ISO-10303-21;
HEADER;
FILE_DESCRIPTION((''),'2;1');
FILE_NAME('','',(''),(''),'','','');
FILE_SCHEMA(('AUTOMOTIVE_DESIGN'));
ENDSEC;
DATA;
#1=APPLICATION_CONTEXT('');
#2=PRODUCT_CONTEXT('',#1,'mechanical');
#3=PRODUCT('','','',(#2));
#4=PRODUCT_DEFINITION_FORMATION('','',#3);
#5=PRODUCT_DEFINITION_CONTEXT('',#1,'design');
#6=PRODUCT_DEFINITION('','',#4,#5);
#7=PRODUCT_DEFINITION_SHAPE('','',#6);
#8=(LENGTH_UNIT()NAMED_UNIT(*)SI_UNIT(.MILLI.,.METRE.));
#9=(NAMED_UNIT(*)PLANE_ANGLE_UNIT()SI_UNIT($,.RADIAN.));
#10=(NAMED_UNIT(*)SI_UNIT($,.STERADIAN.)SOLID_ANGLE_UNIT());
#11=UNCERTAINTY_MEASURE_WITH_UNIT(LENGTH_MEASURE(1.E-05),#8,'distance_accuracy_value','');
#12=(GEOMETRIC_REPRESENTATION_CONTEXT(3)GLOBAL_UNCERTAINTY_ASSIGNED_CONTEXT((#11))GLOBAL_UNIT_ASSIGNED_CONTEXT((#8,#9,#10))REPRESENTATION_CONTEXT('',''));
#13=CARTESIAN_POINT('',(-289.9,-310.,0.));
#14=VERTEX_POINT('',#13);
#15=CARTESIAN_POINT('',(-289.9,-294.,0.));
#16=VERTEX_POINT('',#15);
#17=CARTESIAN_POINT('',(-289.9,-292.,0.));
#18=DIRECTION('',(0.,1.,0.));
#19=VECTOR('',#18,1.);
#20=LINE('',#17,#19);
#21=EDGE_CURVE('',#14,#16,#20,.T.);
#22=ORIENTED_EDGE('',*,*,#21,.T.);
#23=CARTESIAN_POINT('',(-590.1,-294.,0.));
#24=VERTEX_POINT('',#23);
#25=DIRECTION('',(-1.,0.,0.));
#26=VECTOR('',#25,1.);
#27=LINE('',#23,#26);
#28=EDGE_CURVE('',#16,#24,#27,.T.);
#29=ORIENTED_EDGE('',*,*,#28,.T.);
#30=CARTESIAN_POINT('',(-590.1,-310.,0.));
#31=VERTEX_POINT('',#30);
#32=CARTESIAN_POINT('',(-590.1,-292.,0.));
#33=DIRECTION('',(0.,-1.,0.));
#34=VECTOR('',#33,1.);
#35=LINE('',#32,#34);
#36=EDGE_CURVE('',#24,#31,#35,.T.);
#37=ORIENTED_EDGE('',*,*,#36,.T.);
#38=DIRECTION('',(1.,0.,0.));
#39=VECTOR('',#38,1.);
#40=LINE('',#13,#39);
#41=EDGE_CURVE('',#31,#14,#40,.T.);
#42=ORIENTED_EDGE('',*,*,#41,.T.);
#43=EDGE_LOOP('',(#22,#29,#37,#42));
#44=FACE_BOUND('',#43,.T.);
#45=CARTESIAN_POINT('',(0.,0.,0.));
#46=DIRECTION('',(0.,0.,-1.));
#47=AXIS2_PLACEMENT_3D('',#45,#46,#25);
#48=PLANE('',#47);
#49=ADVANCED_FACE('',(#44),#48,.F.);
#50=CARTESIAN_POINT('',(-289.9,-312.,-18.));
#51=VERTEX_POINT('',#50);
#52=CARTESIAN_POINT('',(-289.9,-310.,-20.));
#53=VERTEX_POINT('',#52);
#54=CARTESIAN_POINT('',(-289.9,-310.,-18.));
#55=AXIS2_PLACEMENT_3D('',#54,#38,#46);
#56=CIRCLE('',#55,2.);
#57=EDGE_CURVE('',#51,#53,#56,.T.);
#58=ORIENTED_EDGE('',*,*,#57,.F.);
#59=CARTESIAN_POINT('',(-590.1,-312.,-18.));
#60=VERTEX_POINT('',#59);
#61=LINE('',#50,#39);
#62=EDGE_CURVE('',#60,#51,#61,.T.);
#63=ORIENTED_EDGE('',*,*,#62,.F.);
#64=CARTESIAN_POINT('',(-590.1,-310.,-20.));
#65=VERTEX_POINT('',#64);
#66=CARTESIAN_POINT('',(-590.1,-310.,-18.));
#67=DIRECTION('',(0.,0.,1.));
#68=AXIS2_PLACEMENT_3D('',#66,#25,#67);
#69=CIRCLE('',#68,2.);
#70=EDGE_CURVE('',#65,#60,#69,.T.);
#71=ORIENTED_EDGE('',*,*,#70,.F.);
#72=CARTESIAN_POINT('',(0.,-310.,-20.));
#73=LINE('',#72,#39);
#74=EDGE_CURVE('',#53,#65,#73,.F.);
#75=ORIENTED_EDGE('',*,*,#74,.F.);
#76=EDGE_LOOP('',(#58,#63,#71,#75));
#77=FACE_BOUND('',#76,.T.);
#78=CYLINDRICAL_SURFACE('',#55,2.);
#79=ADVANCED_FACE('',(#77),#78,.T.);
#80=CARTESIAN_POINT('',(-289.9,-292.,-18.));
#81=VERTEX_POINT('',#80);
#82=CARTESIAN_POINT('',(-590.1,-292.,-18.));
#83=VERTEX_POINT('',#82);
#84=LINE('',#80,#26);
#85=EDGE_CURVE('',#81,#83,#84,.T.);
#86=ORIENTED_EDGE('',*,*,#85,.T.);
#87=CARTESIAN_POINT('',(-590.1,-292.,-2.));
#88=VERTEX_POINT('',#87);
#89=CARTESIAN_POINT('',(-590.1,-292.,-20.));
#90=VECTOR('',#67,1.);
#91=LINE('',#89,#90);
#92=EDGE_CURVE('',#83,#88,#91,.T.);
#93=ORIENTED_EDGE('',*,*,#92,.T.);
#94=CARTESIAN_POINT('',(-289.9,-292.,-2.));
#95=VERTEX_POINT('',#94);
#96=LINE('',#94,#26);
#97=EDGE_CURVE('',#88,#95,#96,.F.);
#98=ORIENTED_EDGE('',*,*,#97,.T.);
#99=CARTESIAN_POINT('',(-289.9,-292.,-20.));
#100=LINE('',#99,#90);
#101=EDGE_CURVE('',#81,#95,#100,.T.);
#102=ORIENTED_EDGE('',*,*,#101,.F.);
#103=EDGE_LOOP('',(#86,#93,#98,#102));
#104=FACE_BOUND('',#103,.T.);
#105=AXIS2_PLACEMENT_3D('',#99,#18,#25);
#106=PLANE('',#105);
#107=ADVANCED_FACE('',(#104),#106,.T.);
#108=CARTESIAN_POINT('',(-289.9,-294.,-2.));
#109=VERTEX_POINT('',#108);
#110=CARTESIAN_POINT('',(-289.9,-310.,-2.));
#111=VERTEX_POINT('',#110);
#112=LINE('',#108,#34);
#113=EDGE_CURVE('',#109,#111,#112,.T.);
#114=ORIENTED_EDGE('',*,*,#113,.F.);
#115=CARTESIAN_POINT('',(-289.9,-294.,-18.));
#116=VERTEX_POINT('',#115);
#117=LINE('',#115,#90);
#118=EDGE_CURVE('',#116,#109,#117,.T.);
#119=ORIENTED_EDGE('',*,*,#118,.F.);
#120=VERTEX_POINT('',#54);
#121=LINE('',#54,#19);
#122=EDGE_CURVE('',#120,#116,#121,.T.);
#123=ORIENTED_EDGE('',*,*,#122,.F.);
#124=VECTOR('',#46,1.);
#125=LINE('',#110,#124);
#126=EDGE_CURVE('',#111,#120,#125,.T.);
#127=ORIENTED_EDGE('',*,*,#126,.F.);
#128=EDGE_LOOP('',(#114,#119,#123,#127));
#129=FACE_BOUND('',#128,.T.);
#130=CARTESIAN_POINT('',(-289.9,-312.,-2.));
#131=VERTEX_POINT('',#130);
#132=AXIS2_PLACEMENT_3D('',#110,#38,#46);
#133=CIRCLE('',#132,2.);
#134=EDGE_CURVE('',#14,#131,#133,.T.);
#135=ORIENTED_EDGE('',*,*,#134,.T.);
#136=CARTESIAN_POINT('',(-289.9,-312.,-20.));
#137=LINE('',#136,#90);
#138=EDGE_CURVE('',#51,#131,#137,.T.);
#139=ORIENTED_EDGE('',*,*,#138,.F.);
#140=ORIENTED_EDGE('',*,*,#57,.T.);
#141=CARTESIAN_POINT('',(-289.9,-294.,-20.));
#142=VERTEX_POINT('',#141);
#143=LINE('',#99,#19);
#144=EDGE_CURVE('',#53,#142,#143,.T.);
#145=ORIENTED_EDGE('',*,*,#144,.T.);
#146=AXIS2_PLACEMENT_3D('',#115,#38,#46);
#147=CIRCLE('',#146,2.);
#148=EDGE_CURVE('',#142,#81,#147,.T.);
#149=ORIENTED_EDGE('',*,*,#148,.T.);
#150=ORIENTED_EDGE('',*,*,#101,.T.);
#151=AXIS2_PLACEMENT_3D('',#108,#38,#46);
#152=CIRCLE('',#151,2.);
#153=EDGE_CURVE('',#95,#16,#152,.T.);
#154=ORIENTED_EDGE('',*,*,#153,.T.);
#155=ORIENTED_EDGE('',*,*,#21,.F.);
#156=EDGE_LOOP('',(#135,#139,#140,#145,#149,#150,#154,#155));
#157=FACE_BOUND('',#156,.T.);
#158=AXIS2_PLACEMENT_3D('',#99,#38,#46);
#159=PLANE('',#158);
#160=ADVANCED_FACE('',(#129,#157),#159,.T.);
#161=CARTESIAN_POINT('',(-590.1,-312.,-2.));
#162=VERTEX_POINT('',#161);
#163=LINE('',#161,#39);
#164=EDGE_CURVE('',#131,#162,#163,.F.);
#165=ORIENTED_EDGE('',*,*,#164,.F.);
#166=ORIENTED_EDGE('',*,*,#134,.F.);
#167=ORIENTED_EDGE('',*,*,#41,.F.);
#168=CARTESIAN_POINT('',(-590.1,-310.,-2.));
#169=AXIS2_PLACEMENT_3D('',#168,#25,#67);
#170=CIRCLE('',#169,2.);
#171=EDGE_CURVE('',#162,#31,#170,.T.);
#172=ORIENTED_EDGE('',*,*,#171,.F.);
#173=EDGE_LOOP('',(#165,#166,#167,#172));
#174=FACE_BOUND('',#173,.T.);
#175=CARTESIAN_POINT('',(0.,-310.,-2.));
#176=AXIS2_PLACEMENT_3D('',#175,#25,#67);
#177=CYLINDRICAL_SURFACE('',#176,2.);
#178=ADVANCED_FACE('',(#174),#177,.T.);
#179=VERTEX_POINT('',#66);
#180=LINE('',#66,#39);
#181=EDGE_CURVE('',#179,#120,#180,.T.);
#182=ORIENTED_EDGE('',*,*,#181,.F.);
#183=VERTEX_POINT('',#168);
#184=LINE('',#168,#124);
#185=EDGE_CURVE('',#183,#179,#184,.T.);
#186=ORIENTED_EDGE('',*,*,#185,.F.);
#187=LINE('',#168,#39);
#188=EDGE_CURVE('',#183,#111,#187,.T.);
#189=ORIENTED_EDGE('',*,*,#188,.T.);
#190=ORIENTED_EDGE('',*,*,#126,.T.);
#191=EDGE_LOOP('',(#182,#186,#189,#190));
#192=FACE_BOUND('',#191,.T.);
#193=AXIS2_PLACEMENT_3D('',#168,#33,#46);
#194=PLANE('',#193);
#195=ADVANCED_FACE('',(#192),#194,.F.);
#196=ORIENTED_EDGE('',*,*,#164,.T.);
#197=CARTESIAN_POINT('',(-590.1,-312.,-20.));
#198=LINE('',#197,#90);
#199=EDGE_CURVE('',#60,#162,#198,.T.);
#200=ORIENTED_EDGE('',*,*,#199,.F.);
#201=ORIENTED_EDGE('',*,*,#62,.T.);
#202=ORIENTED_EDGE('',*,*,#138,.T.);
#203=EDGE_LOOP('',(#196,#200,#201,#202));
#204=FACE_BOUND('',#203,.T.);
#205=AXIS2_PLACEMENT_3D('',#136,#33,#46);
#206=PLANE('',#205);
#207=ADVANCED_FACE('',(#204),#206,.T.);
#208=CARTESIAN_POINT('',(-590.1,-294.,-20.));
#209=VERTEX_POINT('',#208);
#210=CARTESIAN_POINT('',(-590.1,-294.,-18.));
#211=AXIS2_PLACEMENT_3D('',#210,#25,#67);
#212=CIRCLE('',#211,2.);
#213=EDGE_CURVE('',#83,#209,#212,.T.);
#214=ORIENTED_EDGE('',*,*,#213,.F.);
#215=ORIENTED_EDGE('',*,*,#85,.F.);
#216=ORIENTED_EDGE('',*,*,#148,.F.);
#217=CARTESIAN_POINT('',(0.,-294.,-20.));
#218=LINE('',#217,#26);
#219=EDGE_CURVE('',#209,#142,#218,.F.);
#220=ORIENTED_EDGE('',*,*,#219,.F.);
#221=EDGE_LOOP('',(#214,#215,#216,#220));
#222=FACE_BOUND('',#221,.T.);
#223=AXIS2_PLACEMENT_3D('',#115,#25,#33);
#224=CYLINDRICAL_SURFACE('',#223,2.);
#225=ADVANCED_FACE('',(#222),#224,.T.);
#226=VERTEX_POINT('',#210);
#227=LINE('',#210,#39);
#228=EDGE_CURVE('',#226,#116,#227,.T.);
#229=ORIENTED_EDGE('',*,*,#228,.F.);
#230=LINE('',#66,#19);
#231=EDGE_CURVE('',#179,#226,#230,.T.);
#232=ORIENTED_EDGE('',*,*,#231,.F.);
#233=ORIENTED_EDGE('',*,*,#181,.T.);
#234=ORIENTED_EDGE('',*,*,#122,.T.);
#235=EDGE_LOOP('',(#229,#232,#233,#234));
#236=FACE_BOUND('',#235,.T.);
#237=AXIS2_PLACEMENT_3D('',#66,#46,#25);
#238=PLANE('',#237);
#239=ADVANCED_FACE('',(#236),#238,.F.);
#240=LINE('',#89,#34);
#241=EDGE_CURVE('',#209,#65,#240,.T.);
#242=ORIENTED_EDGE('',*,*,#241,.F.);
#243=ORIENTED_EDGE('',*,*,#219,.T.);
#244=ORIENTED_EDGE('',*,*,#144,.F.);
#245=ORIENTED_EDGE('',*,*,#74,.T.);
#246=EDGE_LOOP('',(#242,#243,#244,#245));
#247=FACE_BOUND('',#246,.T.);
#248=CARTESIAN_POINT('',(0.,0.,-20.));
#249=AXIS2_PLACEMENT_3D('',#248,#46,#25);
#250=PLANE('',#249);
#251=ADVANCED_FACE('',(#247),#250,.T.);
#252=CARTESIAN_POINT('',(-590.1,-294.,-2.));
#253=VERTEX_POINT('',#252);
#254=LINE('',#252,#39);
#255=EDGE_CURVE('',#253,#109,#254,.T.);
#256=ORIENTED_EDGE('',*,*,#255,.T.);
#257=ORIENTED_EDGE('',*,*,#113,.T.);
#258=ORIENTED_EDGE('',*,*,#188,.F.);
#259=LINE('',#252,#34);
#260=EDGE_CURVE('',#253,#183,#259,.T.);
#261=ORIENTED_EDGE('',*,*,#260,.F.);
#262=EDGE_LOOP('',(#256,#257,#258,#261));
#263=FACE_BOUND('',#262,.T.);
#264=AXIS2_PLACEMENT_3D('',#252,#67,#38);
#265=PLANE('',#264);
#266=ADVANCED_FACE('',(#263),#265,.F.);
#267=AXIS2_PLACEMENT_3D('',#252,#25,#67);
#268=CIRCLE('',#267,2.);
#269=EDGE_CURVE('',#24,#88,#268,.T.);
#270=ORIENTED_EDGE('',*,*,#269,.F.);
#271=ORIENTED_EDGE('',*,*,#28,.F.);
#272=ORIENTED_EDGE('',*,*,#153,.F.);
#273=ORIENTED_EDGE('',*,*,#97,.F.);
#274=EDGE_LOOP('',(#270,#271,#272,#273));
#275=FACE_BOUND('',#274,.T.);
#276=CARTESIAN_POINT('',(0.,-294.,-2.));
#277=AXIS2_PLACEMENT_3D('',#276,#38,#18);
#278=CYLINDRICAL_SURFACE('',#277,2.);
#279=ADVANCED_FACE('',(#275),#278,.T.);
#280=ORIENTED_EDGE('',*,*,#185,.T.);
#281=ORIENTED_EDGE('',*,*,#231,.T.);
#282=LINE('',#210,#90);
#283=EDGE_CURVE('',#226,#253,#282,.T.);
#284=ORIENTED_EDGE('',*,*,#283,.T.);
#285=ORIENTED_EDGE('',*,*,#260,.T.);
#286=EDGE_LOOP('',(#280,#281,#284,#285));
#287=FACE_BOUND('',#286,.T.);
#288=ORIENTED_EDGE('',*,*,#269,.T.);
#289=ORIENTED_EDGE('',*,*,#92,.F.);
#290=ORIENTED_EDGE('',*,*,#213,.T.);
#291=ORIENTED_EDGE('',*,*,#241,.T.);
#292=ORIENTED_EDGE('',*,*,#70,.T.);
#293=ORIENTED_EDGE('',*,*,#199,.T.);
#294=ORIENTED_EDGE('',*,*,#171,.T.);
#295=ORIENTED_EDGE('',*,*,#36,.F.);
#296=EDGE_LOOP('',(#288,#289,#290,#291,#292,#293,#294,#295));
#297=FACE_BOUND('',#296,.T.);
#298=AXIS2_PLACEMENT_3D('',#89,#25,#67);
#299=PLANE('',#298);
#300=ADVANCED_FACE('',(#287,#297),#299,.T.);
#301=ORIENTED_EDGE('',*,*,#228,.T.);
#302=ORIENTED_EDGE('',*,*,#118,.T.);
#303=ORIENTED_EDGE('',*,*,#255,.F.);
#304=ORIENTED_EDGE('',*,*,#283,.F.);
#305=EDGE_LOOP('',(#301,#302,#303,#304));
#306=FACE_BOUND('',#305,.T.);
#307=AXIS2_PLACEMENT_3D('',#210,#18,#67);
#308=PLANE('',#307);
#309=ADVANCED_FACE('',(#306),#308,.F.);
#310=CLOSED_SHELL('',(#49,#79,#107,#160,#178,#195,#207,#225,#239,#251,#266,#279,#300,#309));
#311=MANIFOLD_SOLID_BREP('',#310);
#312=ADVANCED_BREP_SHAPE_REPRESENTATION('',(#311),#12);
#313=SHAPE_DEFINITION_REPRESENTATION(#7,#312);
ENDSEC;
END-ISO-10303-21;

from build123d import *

# Parameters (mm, degrees)
SKETCH1_W           = 300.2
SKETCH1_H           = 20
BOSS_EXTRUDE1_DEPTH = 20
FILLET1_R           = 2
SKETCH2_W           = 16
SKETCH2_H           = 16
CUT_EXTRUDE1_DEPTH  = 301.2


with BuildPart() as part:
    # Sketch1 → Boss-Extrude1 (new body)
    with BuildSketch(Plane.XY):
        with Locations((-440, -302)):
            Rectangle(SKETCH1_W, SKETCH1_H)
    extrude(amount=-BOSS_EXTRUDE1_DEPTH)

    # Fillet1
    fillet1_edges = [part.edges().sort_by_distance(p)[0] for p in [
        (-440, -312, -20),
        (-440, -312, 0),
        (-440, -292, 0),
        (-440, -292, -20),
    ]]
    fillet(fillet1_edges, radius=FILLET1_R)

    # Sketch2 → Cut-Extrude1 (cut, through all)
    with BuildSketch(Plane(origin=(-289.9, 0, 0), x_dir=(0, 0, -1), z_dir=(1, 0, 0))):
        with Locations((10, -302)):
            Rectangle(SKETCH2_W, SKETCH2_H)
    extrude(amount=-CUT_EXTRUDE1_DEPTH, mode=Mode.SUBTRACT)


solid = part.part
